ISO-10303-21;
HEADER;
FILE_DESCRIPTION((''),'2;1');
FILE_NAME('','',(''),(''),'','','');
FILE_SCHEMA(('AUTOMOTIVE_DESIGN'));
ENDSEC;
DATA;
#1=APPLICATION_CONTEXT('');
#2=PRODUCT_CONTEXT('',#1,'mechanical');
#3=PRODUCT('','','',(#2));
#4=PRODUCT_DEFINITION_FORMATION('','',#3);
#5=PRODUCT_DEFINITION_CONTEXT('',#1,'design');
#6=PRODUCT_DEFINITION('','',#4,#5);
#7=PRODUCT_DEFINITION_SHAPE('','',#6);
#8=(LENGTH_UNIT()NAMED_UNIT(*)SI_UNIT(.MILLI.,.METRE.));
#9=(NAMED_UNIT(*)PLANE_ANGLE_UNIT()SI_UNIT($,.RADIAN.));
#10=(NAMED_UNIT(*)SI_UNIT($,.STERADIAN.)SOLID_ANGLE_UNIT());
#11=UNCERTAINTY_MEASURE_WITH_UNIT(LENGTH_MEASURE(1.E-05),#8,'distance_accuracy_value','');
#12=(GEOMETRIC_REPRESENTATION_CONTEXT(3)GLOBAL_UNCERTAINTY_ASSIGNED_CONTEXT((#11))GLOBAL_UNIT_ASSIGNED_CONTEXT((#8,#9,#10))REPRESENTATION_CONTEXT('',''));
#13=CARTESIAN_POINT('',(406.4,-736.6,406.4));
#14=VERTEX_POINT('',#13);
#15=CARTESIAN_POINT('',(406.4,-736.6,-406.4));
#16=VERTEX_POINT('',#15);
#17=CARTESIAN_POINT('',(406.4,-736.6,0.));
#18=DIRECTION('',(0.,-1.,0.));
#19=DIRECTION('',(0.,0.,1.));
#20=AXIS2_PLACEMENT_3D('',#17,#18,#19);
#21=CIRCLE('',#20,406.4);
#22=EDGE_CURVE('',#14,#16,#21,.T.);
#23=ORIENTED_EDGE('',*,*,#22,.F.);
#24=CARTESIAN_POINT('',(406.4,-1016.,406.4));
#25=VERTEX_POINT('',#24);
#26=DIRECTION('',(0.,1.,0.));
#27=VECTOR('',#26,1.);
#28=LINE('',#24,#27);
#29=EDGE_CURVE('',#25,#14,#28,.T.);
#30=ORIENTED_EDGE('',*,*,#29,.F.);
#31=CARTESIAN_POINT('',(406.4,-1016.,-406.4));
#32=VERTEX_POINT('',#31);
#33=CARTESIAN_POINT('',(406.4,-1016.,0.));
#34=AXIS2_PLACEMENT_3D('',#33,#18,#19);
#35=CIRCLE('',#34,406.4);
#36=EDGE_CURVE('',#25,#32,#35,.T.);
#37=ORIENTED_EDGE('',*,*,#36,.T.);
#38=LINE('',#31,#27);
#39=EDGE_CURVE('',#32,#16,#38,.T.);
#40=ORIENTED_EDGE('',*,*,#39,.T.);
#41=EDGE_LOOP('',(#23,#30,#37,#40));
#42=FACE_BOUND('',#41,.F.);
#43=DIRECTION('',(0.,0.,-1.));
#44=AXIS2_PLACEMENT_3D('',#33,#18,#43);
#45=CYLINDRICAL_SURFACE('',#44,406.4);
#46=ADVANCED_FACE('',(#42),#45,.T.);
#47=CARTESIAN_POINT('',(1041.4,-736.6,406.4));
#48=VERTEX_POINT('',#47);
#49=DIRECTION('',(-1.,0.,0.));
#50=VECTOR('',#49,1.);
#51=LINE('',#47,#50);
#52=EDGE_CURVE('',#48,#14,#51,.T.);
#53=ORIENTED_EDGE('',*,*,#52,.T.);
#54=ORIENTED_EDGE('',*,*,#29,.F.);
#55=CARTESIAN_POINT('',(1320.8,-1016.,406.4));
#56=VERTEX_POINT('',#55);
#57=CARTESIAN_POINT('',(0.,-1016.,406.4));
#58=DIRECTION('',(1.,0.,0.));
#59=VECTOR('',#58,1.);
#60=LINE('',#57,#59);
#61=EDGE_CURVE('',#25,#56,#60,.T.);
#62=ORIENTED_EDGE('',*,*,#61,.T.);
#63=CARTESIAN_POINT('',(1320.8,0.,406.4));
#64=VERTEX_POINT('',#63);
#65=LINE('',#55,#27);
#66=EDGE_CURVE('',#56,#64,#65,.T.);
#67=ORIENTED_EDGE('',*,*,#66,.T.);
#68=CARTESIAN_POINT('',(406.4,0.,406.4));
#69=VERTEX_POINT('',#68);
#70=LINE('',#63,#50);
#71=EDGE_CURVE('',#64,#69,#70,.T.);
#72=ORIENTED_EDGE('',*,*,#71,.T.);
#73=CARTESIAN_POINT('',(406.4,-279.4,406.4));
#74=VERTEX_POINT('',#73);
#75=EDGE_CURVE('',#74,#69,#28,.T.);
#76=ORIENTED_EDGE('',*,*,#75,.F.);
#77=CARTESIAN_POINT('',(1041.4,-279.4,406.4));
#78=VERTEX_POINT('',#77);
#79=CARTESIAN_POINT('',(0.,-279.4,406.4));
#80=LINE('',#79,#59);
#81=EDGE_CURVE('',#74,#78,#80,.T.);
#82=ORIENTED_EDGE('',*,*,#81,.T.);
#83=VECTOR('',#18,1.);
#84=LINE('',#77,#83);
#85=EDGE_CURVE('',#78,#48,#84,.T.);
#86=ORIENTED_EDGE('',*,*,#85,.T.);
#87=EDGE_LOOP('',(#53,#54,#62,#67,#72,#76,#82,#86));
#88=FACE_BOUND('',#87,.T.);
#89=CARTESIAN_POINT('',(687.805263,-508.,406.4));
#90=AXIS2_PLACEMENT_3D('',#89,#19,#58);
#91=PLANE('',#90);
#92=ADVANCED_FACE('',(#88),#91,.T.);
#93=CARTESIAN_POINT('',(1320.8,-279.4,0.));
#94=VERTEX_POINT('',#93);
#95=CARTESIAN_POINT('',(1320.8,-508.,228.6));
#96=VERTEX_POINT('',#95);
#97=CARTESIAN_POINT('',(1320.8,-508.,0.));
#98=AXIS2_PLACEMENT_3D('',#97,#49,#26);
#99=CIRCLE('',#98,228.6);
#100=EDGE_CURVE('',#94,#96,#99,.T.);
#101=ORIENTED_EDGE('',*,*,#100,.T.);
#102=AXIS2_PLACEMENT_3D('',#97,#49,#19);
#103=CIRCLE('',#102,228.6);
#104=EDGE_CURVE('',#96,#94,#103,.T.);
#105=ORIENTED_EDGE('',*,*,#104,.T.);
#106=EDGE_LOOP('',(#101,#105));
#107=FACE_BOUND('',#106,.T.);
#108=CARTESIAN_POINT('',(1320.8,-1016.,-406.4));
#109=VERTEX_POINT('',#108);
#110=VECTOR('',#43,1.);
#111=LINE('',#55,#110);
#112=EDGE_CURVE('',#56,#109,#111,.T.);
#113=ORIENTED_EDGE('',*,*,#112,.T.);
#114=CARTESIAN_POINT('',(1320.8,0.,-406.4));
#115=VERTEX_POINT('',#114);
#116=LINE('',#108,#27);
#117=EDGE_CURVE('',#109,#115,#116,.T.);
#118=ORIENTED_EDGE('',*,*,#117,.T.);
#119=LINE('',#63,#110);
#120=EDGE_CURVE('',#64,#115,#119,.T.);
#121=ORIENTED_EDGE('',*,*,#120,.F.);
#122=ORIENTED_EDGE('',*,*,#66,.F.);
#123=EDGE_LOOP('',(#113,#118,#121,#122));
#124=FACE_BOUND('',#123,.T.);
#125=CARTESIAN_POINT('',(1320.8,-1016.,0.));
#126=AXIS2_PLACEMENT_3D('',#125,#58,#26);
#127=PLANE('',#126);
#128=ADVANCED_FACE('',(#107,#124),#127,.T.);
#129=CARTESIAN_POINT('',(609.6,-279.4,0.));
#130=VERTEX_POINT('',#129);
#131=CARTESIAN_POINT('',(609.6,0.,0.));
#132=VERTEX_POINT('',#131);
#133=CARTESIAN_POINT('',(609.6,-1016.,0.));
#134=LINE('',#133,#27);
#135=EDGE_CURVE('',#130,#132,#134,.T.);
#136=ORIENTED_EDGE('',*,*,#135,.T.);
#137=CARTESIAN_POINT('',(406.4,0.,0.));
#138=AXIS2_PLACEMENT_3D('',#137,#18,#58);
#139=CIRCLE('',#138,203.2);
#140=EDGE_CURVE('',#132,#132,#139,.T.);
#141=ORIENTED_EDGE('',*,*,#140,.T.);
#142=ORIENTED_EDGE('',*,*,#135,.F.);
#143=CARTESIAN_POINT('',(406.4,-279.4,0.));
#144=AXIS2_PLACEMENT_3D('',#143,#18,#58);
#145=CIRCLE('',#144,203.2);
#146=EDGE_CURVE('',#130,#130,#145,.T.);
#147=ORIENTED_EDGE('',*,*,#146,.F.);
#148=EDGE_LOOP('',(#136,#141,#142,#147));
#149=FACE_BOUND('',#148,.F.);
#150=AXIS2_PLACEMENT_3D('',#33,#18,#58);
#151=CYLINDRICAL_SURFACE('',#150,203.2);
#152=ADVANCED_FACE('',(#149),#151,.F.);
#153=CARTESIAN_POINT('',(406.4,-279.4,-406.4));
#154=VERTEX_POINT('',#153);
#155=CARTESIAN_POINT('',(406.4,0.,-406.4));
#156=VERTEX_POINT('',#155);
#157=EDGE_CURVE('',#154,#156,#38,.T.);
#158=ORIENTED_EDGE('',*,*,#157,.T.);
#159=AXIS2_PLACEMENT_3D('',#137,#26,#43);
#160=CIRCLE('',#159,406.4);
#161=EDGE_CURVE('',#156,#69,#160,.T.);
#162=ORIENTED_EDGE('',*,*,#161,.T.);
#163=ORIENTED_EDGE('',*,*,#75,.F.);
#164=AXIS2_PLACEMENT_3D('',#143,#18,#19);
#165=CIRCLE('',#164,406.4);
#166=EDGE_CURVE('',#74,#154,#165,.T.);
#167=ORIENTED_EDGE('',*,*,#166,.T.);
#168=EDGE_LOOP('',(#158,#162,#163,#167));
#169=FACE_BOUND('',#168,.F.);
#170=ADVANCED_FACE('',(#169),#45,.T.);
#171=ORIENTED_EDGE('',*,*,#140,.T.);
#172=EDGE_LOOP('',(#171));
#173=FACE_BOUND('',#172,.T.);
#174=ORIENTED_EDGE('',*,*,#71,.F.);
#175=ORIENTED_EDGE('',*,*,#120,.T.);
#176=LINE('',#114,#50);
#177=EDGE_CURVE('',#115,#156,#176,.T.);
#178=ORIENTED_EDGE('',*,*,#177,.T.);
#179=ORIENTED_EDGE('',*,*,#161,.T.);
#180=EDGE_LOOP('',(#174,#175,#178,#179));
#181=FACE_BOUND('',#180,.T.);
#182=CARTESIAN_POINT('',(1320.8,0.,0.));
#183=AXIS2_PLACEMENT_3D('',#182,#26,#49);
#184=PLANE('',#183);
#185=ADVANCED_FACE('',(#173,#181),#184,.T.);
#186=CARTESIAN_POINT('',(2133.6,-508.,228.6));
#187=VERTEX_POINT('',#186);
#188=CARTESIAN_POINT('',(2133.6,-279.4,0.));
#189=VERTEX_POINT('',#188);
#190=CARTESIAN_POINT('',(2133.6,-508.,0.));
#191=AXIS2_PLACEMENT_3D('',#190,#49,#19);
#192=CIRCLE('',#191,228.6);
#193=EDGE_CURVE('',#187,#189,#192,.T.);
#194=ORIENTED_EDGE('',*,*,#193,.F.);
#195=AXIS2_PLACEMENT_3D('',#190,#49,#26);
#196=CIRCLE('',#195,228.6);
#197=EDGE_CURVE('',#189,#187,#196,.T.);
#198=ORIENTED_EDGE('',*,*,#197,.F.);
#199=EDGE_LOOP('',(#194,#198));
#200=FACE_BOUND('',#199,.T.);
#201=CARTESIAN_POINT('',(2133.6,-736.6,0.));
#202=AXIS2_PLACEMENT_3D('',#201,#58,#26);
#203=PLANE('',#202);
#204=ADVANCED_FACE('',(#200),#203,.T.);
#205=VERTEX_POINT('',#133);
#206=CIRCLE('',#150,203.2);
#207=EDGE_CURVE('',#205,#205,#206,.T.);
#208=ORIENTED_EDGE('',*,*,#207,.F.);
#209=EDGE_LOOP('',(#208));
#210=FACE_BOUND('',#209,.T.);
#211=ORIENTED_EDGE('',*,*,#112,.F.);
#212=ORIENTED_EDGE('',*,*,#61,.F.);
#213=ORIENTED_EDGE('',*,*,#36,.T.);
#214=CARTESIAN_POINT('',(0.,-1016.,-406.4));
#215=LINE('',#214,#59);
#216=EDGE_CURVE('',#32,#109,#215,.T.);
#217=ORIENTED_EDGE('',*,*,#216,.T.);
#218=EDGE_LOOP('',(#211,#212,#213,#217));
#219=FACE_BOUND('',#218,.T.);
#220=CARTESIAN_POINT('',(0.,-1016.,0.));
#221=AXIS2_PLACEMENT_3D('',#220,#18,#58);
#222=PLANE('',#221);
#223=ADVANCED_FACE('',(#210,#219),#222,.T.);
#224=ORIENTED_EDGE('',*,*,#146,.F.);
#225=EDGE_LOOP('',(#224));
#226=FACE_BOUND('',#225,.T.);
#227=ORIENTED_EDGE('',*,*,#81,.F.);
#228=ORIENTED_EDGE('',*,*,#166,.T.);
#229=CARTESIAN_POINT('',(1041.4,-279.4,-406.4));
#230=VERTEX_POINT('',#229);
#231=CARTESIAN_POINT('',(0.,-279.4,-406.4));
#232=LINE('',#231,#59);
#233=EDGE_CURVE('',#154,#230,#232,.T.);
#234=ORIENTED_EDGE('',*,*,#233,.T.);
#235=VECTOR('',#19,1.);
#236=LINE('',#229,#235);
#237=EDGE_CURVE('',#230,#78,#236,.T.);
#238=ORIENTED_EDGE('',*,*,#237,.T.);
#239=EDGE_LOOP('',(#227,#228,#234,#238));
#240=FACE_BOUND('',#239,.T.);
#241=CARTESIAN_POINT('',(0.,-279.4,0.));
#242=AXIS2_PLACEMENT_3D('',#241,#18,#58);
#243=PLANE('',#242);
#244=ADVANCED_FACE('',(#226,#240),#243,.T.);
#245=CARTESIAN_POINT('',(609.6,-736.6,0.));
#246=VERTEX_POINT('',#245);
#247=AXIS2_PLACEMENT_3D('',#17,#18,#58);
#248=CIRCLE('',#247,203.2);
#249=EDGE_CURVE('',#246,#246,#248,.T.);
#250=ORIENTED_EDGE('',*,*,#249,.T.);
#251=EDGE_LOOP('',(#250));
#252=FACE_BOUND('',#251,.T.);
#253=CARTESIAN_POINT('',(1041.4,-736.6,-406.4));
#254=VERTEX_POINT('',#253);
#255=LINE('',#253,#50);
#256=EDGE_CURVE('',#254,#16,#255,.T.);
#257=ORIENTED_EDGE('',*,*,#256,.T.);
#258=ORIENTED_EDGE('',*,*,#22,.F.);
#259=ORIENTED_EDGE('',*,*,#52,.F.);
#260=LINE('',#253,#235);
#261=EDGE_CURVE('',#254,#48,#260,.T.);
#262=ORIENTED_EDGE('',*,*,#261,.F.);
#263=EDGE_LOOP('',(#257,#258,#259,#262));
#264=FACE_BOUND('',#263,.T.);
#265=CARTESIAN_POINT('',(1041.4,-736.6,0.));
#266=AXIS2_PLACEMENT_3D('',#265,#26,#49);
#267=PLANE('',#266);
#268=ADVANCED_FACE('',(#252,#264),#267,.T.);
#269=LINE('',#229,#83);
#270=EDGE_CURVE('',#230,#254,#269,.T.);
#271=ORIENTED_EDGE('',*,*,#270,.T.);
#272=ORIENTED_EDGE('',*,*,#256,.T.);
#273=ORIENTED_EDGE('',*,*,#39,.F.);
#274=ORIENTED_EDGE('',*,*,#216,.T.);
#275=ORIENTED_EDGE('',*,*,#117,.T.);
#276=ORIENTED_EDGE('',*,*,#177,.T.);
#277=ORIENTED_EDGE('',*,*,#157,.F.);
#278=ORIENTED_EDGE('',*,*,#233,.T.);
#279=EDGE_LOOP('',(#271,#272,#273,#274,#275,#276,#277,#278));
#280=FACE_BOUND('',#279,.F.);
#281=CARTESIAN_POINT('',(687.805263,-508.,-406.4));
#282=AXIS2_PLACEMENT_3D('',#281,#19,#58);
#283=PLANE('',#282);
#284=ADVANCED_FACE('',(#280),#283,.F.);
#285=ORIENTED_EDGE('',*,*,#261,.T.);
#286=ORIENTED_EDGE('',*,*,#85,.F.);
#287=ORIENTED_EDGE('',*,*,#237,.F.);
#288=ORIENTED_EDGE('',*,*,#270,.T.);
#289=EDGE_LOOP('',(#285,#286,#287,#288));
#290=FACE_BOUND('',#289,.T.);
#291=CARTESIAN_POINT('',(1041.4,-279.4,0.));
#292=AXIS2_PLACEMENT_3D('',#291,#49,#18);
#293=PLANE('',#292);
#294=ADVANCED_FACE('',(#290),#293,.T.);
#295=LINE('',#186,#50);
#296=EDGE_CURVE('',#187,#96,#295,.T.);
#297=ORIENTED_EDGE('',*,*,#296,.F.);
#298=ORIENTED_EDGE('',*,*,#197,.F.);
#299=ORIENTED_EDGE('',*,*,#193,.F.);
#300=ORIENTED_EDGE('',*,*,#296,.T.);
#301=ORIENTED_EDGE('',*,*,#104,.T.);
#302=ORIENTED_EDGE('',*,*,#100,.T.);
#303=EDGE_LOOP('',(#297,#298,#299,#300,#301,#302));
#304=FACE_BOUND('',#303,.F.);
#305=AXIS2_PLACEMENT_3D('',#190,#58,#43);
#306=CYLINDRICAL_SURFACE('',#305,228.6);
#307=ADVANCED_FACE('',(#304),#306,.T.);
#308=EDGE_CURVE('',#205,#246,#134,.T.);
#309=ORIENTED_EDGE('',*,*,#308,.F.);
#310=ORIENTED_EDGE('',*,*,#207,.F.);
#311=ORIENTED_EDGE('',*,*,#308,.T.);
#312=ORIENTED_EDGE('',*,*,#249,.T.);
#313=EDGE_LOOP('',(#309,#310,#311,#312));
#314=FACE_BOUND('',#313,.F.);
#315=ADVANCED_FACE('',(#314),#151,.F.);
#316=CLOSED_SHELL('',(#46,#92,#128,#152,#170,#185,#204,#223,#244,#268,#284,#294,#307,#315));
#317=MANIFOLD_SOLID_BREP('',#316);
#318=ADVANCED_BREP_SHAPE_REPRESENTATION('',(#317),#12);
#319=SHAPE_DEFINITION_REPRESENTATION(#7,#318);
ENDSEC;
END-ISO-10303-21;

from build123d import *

# Parameters (mm, degrees)
F1_DEPTH  = 406.4
F2_DEPTH  = 406.4
F0_W      = 812.8
F0_H      = 457.2
F3_DEPTH  = 228.6
F4_DEPTH  = 228.6
F5_R      = 203.2
F6_DEPTH  = 1270
F8_DEPTH  = 1270
F10_DEPTH = 812.8


with BuildPart() as f1:
    # F0 (on Top) → F1 (new body)
    with BuildSketch(Plane.XY):
        Polygon((1320.8, 0), (0, 0), (0, -279.4), (1041.4, -279.4), (1041.4, -736.6), (0, -736.6), (0, -1016), (1320.8, -1016), (1320.8, -736.6), (1320.8, -279.4), align=None)
    extrude(amount=F1_DEPTH)

    # F0 (on Top) → F2 (join)
    with BuildSketch(Plane.XY):
        Polygon((1320.8, 0), (0, 0), (0, -279.4), (1041.4, -279.4), (1041.4, -736.6), (0, -736.6), (0, -1016), (1320.8, -1016), (1320.8, -736.6), (1320.8, -279.4), align=None)
    extrude(amount=-F2_DEPTH)

    # F0 (on Top) → F3 (join)
    with BuildSketch(Plane.XY):
        with Locations((1727.2, -508)):
            Rectangle(F0_W, F0_H)
    extrude(amount=F3_DEPTH)

    # F0 (on Top) → F4 (join)
    with BuildSketch(Plane.XY):
        with Locations((1727.2, -508)):
            Rectangle(F0_W, F0_H)
    extrude(amount=-F4_DEPTH)

    # F5 (on face) → F6 (cut)
    with BuildSketch(Plane.XZ.offset(1016)):
        with Locations((406.4, 0)):
            Circle(F5_R)
    extrude(amount=-F6_DEPTH, mode=Mode.SUBTRACT)

    # F7 (on face) → F8 (cut)
    with BuildSketch(Plane.XZ.offset(1016)):
        with BuildLine():
            ThreePointArc((0, -2.103e-07), (119.0318040514, 287.3681957999), (406.4, 406.4))
            Line((406.4, 406.4), (0, 406.4))
            Line((0, 406.4), (0, -2.103e-07))
        make_face()
        with BuildLine():
            Line((0, -406.4), (406.4, -406.4))
            ThreePointArc((406.4, -406.4), (119.0318042001, -287.3681959486), (0, -2.103e-07))
            Line((0, -2.103e-07), (0, -406.4))
        make_face()
    extrude(amount=-F8_DEPTH, mode=Mode.SUBTRACT)

    # F9 (on face) → F10 (cut)
    with BuildSketch(Plane.YZ.offset(2133.6)):
        with BuildLine():
            ThreePointArc((-736.6, -8.745e-07), (-669.6446104884, 161.6446098701), (-508, 228.6))
            Line((-508, 228.6), (-736.6, 228.6))
            Line((-736.6, 228.6), (-736.6, -8.745e-07))
        make_face()
        with BuildLine():
            ThreePointArc((-508, 228.6), (-346.3553898208, 161.6446101792), (-279.4, 0))
            Line((-279.4, 0), (-279.4, 228.6))
            Line((-279.4, 228.6), (-508, 228.6))
        make_face()
        with BuildLine():
            Line((-279.4, -228.6), (-279.4, 0))
            ThreePointArc((-279.4, 0), (-346.3553898208, -161.6446101792), (-508, -228.6))
            Line((-508, -228.6), (-279.4, -228.6))
        make_face()
        with BuildLine():
            Line((-736.6, -228.6), (-508, -228.6))
            ThreePointArc((-508, -228.6), (-669.6446098701, -161.6446104884), (-736.6, -8.745e-07))
            Line((-736.6, -8.745e-07), (-736.6, -228.6))
        make_face()
    extrude(amount=-F10_DEPTH, mode=Mode.SUBTRACT)


solid = f1.part
